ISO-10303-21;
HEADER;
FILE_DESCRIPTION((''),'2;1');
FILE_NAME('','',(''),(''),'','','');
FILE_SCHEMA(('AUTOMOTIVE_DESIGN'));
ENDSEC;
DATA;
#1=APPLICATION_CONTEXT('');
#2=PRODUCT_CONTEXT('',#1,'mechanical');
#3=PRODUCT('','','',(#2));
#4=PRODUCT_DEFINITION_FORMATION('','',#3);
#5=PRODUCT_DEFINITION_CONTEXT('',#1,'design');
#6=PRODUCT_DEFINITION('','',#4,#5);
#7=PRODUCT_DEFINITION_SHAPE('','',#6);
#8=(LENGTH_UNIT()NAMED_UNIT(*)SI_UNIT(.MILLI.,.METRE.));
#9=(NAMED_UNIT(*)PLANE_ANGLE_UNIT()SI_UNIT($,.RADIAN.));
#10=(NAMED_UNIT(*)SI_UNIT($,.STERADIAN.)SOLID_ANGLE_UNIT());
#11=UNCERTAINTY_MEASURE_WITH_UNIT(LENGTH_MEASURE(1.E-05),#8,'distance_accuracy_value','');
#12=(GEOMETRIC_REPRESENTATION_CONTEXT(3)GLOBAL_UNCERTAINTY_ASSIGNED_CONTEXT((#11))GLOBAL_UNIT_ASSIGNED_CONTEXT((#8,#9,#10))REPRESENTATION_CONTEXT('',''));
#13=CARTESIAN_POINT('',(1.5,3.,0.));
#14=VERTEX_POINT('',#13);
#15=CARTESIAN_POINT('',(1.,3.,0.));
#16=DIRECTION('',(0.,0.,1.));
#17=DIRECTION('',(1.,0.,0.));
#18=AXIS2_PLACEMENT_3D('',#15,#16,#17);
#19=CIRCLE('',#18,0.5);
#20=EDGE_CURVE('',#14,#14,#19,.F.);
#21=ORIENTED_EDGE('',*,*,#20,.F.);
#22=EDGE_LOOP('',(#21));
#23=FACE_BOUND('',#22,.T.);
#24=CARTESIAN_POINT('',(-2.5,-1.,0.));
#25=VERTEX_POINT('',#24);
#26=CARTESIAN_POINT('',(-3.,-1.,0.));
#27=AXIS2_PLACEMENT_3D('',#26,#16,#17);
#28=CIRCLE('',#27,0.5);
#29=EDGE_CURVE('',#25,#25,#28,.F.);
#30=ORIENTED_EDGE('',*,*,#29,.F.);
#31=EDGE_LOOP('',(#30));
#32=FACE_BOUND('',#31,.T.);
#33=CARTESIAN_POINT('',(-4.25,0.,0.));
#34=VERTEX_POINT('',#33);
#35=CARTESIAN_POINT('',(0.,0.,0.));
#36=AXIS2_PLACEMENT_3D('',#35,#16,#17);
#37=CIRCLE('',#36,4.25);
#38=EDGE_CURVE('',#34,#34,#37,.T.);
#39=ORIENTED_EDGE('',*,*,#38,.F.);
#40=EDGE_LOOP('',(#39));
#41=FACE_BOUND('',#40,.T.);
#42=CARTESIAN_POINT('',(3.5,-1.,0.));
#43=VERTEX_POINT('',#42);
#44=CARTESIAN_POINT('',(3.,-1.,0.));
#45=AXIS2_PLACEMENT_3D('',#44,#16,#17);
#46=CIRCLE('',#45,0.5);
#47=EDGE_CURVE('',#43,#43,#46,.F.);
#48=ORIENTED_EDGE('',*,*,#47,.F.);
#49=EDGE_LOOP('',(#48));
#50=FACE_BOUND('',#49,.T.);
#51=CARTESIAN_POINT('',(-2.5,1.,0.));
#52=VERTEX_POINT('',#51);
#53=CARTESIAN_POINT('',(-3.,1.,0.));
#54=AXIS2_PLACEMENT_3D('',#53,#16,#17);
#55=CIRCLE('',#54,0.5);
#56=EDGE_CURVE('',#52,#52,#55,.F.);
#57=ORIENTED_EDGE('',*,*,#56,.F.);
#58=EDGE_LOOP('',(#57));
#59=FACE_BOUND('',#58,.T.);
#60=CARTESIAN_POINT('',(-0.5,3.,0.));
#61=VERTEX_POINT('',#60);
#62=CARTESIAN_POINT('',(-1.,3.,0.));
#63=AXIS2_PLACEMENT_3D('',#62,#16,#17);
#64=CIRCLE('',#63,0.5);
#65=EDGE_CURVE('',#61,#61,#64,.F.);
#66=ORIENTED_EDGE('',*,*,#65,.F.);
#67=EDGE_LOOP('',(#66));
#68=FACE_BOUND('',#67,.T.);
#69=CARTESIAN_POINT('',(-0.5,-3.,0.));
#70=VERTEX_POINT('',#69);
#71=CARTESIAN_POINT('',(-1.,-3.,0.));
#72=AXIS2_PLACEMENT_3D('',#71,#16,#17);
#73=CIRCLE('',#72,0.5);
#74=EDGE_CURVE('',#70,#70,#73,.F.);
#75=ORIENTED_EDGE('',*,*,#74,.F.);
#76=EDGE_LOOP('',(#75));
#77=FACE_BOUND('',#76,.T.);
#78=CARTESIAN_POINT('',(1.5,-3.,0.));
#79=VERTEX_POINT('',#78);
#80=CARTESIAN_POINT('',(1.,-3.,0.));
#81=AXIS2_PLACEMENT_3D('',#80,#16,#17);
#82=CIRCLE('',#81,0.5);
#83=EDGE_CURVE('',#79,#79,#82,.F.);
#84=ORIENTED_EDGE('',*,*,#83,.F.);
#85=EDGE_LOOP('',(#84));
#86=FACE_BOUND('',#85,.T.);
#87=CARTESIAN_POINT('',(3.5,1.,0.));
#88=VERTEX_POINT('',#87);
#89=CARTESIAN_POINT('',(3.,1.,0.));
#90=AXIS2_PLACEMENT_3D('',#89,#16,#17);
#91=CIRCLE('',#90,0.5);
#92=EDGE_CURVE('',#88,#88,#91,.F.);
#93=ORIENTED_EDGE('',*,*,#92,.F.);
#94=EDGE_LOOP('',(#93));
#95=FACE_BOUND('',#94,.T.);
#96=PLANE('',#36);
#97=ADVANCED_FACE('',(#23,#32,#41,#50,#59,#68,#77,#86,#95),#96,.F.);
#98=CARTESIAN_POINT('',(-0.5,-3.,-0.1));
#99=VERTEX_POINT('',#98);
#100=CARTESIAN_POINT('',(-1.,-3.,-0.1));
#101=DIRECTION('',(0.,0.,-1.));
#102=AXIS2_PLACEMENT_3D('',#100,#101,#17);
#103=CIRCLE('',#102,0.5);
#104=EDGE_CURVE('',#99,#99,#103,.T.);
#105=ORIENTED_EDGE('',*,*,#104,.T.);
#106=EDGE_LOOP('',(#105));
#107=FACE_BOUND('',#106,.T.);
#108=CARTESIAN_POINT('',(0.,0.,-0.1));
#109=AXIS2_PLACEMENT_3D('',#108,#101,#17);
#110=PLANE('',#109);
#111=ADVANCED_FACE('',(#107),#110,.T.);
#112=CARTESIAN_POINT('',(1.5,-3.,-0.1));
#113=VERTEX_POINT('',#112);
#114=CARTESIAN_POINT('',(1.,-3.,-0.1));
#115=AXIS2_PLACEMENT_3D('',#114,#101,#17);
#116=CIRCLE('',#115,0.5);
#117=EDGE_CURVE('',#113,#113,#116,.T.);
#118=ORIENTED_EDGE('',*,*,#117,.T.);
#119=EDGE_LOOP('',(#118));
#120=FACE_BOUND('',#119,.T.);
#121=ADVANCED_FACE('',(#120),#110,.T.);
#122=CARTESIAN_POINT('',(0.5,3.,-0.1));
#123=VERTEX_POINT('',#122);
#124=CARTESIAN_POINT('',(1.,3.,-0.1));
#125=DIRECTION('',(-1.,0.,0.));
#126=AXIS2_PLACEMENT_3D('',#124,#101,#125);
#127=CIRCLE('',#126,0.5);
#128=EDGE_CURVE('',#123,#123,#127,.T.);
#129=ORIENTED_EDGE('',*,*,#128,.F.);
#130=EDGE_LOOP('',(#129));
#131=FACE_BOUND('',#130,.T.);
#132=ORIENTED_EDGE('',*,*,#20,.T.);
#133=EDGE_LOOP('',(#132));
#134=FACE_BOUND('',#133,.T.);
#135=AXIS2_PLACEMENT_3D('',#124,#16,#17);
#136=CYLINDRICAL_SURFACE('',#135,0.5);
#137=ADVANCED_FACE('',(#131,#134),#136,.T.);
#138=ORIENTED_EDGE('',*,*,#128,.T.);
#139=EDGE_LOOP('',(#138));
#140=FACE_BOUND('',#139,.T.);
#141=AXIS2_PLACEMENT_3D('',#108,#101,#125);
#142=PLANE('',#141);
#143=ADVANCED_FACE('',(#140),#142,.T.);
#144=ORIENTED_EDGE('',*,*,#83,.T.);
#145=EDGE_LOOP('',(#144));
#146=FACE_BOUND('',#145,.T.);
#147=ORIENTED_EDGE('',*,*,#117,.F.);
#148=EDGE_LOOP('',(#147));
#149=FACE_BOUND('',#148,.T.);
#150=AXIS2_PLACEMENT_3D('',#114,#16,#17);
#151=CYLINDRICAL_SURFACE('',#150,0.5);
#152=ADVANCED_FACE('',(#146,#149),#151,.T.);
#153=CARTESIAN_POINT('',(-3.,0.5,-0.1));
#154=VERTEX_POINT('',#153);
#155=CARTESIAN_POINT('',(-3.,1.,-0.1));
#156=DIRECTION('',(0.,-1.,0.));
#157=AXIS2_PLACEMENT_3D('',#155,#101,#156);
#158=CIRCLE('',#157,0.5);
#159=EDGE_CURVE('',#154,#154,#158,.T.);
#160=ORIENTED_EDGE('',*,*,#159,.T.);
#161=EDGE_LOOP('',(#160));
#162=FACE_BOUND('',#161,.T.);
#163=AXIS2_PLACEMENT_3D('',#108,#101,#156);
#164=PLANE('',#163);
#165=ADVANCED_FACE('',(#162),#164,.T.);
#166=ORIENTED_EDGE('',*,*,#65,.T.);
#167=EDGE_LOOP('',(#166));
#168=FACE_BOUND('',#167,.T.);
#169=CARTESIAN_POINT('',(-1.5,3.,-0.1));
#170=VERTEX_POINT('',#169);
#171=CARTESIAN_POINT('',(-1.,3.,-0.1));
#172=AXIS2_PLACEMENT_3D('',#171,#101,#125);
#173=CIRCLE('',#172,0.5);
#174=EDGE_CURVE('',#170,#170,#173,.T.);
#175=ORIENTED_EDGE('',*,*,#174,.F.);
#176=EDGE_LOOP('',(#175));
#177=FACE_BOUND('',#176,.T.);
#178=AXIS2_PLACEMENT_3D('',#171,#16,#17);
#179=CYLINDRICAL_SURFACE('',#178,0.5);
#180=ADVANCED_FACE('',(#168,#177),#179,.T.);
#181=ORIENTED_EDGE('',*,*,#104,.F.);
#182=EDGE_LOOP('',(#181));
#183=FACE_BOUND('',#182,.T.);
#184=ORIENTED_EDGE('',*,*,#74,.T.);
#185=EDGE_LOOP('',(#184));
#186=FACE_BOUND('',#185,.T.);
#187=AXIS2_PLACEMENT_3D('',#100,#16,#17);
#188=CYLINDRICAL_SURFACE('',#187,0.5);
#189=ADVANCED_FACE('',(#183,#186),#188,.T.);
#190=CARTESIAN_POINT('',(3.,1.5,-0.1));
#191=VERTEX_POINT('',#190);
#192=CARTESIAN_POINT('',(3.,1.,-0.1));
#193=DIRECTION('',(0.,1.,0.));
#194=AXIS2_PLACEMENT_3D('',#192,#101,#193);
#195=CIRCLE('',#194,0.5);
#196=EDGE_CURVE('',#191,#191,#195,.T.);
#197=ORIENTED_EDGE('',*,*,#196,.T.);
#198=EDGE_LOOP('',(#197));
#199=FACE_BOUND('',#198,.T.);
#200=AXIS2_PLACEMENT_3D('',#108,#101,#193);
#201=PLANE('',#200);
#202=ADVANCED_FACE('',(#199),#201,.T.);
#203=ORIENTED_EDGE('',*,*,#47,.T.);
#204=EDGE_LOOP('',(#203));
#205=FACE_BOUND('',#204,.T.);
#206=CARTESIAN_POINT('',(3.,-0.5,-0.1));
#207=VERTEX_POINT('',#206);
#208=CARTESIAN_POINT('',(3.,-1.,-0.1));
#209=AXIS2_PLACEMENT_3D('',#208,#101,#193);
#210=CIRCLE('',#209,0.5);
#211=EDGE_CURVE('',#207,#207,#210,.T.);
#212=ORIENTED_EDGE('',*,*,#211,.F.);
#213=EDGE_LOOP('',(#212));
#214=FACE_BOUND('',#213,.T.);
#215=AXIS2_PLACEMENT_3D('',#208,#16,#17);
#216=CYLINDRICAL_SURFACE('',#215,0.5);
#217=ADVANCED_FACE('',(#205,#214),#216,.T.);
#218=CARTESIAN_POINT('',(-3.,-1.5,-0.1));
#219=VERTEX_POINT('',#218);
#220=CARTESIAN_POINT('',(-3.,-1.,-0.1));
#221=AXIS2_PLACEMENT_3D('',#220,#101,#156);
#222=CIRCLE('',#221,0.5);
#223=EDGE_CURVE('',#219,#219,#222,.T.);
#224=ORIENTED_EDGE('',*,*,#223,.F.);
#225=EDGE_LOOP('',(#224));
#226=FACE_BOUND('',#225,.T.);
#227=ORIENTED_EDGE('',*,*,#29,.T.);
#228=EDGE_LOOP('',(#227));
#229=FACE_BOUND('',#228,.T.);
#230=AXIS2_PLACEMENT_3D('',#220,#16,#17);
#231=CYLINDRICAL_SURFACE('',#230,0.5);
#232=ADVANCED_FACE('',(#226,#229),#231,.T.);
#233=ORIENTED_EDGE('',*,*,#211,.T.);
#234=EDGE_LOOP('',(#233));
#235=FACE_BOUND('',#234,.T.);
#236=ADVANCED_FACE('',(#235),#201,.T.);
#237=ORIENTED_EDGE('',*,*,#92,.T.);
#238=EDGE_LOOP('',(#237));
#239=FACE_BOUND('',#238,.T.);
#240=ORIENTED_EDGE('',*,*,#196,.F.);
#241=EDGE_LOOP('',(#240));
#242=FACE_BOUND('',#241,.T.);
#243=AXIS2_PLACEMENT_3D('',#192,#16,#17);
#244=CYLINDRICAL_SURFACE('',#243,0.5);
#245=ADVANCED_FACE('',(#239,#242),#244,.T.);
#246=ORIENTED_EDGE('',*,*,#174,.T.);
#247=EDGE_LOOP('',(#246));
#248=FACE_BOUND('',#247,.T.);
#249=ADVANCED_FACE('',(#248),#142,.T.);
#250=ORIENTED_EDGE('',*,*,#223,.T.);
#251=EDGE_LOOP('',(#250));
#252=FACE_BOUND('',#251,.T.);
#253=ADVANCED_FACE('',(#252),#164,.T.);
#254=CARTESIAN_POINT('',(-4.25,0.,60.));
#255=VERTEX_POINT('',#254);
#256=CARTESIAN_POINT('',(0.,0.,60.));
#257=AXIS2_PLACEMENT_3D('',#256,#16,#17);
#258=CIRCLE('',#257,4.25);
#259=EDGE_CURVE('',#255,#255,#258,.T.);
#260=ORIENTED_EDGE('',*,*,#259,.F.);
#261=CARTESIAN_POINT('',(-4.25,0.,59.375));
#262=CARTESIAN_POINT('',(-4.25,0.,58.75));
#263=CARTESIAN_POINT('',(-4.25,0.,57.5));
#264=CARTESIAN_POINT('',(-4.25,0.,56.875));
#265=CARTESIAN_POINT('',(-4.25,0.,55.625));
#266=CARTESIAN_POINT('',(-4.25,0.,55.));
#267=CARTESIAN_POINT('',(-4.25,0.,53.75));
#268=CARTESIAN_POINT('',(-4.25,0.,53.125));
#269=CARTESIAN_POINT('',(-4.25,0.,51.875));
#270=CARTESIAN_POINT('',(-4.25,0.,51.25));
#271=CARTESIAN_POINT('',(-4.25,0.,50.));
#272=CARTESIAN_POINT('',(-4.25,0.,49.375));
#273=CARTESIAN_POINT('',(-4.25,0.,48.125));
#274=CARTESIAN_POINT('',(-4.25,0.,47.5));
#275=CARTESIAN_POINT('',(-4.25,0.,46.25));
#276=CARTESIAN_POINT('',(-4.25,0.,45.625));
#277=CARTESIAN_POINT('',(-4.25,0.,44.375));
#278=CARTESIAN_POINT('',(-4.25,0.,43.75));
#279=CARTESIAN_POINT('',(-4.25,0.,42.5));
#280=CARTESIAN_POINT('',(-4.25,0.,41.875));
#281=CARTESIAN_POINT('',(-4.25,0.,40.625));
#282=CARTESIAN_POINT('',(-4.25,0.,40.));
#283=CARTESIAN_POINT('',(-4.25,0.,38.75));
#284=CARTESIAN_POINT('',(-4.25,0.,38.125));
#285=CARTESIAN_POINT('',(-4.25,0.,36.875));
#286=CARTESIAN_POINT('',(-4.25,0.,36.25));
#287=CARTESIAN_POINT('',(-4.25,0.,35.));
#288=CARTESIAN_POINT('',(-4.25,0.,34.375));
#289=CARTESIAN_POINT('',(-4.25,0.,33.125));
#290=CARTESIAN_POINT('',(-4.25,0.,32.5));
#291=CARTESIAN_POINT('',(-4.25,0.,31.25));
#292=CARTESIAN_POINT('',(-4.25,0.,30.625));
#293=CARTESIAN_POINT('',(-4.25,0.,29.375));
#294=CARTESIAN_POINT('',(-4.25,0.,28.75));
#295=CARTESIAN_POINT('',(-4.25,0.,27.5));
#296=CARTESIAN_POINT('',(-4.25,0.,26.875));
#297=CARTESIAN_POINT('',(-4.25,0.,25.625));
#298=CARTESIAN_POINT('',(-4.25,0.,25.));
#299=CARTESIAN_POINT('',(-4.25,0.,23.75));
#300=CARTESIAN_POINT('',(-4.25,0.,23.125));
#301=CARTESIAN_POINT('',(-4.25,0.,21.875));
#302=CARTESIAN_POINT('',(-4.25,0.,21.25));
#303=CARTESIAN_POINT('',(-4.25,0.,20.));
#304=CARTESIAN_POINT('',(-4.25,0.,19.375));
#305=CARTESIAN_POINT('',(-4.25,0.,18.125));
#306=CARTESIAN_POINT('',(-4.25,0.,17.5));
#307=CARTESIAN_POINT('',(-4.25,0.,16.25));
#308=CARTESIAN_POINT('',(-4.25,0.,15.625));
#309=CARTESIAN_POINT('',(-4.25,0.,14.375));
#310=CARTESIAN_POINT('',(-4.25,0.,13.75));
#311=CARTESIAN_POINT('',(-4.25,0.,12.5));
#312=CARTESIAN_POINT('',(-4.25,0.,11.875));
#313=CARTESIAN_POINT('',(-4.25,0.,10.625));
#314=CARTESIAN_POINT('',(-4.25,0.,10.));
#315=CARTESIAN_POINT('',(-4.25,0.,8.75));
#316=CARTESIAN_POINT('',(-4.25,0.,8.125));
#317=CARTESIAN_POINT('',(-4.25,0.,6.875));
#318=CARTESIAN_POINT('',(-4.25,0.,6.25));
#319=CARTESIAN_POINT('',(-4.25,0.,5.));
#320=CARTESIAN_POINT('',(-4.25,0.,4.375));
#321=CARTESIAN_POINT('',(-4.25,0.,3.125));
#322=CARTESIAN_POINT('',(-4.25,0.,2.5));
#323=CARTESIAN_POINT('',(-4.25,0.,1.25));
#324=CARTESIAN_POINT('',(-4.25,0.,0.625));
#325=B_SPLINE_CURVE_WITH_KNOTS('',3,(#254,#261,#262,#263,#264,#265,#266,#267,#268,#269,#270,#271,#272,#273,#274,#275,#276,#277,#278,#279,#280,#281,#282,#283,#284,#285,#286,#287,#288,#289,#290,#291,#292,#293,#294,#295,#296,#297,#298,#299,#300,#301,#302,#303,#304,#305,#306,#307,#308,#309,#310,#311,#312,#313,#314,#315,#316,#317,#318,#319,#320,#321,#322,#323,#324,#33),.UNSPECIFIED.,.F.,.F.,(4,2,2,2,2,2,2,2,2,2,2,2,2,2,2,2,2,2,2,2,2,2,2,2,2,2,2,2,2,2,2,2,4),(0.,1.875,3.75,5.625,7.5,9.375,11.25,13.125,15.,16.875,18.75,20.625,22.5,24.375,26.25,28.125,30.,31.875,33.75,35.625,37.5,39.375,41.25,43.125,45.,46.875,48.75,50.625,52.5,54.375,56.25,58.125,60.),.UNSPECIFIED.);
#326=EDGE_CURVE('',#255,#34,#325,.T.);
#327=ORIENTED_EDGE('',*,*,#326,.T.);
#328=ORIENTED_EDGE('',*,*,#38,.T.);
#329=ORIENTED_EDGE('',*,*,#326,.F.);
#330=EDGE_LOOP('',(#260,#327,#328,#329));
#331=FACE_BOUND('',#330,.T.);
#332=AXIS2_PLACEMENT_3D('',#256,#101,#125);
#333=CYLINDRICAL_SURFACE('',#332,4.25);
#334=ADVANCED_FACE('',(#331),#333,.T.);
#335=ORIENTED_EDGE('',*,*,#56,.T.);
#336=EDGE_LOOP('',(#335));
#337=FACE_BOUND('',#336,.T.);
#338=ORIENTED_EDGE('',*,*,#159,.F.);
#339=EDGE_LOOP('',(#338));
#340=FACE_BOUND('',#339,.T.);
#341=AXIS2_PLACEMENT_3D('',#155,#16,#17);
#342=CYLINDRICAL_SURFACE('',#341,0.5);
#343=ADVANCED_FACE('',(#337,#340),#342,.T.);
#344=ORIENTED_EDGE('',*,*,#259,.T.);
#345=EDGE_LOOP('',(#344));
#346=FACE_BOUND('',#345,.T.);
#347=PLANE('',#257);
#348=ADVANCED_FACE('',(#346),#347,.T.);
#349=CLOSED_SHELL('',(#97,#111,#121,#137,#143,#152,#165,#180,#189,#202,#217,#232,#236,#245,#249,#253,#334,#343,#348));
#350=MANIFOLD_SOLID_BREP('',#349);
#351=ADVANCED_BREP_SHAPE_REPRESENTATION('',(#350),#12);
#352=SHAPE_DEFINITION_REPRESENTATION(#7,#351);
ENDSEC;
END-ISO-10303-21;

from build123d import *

# Parameters (mm, degrees)
SKETCH1_R           = 4.25
BOSS_EXTRUDE1_DEPTH = 60
SKETCH2_R           = 0.5
BOSS_EXTRUDE2_DEPTH = 0.1
CIRPATTERN1_COUNT   = 4


with BuildPart() as part:
    # Sketch1 → Boss-Extrude1 (new body)
    with BuildSketch(Plane.XY):
        with Locations(Location((0, 0, 0), (0, 0, 180))):
            Circle(SKETCH1_R)
    extrude(amount=BOSS_EXTRUDE1_DEPTH)

    # Sketch2 → Boss-Extrude2 (add)
    with BuildSketch(Plane(origin=(0, 0, 0), x_dir=(-1, 0, 0), z_dir=(0, 0, -1))):
        with Locations(Location((-1, 3, 0), (0, 0, 180))):
            Circle(SKETCH2_R)
        with Locations(Location((1, 3, 0), (0, 0, 180))):
            Circle(SKETCH2_R)
    boss_extrude2 = extrude(amount=BOSS_EXTRUDE2_DEPTH)

    # CirPattern1: Boss-Extrude2 ×4 about axis
    cirpattern1_axis = Axis((0, 0, 0), (0, 0, 1))
    for i in range(1, CIRPATTERN1_COUNT):
        add(boss_extrude2.rotate(cirpattern1_axis, i * 360 / CIRPATTERN1_COUNT))


solid = part.part
